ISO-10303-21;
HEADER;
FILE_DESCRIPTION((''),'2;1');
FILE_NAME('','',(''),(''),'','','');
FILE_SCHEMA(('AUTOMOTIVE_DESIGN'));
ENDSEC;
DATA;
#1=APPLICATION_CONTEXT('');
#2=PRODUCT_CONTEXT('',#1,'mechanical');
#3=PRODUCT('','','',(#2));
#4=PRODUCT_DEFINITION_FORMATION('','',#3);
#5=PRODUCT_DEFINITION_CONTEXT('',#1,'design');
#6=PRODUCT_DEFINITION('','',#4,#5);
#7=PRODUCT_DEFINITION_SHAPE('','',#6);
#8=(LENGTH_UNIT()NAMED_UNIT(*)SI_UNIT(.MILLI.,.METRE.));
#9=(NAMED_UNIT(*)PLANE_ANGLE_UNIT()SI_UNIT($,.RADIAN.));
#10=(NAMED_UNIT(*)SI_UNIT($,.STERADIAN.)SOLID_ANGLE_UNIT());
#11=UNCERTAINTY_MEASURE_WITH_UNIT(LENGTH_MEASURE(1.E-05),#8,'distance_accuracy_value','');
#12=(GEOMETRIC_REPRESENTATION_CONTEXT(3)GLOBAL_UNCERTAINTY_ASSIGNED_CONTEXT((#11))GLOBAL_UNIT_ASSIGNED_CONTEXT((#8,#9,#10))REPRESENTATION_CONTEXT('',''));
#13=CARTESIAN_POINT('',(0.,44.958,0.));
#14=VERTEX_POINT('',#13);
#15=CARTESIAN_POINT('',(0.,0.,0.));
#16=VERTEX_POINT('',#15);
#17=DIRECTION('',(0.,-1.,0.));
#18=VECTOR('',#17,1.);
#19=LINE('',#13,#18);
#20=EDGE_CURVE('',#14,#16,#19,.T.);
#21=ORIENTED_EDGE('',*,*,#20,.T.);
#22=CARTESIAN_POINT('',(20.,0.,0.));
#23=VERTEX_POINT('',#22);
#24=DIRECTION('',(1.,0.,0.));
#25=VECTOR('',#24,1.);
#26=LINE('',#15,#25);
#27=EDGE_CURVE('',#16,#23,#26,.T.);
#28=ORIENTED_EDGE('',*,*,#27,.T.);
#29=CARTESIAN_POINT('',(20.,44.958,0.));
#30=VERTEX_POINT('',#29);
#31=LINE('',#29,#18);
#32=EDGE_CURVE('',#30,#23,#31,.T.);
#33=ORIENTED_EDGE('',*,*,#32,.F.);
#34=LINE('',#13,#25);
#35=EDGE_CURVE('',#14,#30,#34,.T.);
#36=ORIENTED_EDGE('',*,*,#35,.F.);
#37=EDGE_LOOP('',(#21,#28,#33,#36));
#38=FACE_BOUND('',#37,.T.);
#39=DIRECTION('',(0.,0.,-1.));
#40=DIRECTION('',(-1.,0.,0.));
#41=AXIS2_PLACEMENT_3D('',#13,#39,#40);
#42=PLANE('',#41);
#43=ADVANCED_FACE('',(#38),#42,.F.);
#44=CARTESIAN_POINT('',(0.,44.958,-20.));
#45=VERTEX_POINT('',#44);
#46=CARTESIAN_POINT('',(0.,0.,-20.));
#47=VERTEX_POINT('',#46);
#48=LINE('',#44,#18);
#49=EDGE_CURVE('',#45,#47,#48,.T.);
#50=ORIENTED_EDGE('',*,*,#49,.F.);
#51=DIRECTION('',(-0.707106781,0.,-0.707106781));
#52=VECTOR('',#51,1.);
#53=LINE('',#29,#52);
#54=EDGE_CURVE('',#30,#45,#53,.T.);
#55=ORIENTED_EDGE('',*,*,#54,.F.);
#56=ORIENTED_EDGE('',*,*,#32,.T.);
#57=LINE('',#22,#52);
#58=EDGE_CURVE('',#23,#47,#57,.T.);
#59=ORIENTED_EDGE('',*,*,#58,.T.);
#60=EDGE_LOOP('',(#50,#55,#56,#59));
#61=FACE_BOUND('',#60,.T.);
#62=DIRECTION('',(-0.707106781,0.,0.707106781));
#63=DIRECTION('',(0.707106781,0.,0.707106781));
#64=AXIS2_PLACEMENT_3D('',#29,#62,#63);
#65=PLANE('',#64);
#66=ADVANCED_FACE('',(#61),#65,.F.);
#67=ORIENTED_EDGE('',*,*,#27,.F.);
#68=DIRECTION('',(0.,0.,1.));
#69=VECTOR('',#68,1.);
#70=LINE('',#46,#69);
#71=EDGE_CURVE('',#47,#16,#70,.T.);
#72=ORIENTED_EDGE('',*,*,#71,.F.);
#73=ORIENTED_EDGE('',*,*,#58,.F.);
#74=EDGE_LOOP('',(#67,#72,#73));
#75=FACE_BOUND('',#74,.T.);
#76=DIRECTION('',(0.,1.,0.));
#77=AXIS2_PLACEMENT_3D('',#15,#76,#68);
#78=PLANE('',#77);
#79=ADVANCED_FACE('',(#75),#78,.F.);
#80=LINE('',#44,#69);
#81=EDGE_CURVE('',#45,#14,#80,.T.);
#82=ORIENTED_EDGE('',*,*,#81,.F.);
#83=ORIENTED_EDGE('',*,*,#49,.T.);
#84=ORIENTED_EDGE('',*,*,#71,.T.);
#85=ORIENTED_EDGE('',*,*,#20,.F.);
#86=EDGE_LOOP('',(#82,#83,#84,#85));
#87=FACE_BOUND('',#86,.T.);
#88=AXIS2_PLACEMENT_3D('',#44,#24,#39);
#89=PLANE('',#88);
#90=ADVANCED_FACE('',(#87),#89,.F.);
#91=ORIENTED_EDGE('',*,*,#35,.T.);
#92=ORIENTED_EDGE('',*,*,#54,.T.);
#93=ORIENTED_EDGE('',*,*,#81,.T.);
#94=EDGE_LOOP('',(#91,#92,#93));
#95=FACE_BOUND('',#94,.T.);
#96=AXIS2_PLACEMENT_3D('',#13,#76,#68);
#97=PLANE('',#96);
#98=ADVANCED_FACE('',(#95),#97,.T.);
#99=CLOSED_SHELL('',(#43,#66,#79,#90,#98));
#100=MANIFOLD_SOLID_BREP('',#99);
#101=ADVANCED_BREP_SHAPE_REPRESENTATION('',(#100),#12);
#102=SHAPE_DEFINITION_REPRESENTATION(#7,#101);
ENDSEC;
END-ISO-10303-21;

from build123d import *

# Parameters (mm, degrees)
BOSS_EXTRUDE1_DEPTH = 44.958


with BuildPart() as part:
    # Sketch1 → Boss-Extrude1 (new body)
    with BuildSketch(Plane(origin=(0, 0, 0), x_dir=(1, 0, 0), z_dir=(0, 1, 0))):
        Polygon((0, 0), (20, 0), (0, 20), align=None)
    extrude(amount=BOSS_EXTRUDE1_DEPTH)


solid = part.part
